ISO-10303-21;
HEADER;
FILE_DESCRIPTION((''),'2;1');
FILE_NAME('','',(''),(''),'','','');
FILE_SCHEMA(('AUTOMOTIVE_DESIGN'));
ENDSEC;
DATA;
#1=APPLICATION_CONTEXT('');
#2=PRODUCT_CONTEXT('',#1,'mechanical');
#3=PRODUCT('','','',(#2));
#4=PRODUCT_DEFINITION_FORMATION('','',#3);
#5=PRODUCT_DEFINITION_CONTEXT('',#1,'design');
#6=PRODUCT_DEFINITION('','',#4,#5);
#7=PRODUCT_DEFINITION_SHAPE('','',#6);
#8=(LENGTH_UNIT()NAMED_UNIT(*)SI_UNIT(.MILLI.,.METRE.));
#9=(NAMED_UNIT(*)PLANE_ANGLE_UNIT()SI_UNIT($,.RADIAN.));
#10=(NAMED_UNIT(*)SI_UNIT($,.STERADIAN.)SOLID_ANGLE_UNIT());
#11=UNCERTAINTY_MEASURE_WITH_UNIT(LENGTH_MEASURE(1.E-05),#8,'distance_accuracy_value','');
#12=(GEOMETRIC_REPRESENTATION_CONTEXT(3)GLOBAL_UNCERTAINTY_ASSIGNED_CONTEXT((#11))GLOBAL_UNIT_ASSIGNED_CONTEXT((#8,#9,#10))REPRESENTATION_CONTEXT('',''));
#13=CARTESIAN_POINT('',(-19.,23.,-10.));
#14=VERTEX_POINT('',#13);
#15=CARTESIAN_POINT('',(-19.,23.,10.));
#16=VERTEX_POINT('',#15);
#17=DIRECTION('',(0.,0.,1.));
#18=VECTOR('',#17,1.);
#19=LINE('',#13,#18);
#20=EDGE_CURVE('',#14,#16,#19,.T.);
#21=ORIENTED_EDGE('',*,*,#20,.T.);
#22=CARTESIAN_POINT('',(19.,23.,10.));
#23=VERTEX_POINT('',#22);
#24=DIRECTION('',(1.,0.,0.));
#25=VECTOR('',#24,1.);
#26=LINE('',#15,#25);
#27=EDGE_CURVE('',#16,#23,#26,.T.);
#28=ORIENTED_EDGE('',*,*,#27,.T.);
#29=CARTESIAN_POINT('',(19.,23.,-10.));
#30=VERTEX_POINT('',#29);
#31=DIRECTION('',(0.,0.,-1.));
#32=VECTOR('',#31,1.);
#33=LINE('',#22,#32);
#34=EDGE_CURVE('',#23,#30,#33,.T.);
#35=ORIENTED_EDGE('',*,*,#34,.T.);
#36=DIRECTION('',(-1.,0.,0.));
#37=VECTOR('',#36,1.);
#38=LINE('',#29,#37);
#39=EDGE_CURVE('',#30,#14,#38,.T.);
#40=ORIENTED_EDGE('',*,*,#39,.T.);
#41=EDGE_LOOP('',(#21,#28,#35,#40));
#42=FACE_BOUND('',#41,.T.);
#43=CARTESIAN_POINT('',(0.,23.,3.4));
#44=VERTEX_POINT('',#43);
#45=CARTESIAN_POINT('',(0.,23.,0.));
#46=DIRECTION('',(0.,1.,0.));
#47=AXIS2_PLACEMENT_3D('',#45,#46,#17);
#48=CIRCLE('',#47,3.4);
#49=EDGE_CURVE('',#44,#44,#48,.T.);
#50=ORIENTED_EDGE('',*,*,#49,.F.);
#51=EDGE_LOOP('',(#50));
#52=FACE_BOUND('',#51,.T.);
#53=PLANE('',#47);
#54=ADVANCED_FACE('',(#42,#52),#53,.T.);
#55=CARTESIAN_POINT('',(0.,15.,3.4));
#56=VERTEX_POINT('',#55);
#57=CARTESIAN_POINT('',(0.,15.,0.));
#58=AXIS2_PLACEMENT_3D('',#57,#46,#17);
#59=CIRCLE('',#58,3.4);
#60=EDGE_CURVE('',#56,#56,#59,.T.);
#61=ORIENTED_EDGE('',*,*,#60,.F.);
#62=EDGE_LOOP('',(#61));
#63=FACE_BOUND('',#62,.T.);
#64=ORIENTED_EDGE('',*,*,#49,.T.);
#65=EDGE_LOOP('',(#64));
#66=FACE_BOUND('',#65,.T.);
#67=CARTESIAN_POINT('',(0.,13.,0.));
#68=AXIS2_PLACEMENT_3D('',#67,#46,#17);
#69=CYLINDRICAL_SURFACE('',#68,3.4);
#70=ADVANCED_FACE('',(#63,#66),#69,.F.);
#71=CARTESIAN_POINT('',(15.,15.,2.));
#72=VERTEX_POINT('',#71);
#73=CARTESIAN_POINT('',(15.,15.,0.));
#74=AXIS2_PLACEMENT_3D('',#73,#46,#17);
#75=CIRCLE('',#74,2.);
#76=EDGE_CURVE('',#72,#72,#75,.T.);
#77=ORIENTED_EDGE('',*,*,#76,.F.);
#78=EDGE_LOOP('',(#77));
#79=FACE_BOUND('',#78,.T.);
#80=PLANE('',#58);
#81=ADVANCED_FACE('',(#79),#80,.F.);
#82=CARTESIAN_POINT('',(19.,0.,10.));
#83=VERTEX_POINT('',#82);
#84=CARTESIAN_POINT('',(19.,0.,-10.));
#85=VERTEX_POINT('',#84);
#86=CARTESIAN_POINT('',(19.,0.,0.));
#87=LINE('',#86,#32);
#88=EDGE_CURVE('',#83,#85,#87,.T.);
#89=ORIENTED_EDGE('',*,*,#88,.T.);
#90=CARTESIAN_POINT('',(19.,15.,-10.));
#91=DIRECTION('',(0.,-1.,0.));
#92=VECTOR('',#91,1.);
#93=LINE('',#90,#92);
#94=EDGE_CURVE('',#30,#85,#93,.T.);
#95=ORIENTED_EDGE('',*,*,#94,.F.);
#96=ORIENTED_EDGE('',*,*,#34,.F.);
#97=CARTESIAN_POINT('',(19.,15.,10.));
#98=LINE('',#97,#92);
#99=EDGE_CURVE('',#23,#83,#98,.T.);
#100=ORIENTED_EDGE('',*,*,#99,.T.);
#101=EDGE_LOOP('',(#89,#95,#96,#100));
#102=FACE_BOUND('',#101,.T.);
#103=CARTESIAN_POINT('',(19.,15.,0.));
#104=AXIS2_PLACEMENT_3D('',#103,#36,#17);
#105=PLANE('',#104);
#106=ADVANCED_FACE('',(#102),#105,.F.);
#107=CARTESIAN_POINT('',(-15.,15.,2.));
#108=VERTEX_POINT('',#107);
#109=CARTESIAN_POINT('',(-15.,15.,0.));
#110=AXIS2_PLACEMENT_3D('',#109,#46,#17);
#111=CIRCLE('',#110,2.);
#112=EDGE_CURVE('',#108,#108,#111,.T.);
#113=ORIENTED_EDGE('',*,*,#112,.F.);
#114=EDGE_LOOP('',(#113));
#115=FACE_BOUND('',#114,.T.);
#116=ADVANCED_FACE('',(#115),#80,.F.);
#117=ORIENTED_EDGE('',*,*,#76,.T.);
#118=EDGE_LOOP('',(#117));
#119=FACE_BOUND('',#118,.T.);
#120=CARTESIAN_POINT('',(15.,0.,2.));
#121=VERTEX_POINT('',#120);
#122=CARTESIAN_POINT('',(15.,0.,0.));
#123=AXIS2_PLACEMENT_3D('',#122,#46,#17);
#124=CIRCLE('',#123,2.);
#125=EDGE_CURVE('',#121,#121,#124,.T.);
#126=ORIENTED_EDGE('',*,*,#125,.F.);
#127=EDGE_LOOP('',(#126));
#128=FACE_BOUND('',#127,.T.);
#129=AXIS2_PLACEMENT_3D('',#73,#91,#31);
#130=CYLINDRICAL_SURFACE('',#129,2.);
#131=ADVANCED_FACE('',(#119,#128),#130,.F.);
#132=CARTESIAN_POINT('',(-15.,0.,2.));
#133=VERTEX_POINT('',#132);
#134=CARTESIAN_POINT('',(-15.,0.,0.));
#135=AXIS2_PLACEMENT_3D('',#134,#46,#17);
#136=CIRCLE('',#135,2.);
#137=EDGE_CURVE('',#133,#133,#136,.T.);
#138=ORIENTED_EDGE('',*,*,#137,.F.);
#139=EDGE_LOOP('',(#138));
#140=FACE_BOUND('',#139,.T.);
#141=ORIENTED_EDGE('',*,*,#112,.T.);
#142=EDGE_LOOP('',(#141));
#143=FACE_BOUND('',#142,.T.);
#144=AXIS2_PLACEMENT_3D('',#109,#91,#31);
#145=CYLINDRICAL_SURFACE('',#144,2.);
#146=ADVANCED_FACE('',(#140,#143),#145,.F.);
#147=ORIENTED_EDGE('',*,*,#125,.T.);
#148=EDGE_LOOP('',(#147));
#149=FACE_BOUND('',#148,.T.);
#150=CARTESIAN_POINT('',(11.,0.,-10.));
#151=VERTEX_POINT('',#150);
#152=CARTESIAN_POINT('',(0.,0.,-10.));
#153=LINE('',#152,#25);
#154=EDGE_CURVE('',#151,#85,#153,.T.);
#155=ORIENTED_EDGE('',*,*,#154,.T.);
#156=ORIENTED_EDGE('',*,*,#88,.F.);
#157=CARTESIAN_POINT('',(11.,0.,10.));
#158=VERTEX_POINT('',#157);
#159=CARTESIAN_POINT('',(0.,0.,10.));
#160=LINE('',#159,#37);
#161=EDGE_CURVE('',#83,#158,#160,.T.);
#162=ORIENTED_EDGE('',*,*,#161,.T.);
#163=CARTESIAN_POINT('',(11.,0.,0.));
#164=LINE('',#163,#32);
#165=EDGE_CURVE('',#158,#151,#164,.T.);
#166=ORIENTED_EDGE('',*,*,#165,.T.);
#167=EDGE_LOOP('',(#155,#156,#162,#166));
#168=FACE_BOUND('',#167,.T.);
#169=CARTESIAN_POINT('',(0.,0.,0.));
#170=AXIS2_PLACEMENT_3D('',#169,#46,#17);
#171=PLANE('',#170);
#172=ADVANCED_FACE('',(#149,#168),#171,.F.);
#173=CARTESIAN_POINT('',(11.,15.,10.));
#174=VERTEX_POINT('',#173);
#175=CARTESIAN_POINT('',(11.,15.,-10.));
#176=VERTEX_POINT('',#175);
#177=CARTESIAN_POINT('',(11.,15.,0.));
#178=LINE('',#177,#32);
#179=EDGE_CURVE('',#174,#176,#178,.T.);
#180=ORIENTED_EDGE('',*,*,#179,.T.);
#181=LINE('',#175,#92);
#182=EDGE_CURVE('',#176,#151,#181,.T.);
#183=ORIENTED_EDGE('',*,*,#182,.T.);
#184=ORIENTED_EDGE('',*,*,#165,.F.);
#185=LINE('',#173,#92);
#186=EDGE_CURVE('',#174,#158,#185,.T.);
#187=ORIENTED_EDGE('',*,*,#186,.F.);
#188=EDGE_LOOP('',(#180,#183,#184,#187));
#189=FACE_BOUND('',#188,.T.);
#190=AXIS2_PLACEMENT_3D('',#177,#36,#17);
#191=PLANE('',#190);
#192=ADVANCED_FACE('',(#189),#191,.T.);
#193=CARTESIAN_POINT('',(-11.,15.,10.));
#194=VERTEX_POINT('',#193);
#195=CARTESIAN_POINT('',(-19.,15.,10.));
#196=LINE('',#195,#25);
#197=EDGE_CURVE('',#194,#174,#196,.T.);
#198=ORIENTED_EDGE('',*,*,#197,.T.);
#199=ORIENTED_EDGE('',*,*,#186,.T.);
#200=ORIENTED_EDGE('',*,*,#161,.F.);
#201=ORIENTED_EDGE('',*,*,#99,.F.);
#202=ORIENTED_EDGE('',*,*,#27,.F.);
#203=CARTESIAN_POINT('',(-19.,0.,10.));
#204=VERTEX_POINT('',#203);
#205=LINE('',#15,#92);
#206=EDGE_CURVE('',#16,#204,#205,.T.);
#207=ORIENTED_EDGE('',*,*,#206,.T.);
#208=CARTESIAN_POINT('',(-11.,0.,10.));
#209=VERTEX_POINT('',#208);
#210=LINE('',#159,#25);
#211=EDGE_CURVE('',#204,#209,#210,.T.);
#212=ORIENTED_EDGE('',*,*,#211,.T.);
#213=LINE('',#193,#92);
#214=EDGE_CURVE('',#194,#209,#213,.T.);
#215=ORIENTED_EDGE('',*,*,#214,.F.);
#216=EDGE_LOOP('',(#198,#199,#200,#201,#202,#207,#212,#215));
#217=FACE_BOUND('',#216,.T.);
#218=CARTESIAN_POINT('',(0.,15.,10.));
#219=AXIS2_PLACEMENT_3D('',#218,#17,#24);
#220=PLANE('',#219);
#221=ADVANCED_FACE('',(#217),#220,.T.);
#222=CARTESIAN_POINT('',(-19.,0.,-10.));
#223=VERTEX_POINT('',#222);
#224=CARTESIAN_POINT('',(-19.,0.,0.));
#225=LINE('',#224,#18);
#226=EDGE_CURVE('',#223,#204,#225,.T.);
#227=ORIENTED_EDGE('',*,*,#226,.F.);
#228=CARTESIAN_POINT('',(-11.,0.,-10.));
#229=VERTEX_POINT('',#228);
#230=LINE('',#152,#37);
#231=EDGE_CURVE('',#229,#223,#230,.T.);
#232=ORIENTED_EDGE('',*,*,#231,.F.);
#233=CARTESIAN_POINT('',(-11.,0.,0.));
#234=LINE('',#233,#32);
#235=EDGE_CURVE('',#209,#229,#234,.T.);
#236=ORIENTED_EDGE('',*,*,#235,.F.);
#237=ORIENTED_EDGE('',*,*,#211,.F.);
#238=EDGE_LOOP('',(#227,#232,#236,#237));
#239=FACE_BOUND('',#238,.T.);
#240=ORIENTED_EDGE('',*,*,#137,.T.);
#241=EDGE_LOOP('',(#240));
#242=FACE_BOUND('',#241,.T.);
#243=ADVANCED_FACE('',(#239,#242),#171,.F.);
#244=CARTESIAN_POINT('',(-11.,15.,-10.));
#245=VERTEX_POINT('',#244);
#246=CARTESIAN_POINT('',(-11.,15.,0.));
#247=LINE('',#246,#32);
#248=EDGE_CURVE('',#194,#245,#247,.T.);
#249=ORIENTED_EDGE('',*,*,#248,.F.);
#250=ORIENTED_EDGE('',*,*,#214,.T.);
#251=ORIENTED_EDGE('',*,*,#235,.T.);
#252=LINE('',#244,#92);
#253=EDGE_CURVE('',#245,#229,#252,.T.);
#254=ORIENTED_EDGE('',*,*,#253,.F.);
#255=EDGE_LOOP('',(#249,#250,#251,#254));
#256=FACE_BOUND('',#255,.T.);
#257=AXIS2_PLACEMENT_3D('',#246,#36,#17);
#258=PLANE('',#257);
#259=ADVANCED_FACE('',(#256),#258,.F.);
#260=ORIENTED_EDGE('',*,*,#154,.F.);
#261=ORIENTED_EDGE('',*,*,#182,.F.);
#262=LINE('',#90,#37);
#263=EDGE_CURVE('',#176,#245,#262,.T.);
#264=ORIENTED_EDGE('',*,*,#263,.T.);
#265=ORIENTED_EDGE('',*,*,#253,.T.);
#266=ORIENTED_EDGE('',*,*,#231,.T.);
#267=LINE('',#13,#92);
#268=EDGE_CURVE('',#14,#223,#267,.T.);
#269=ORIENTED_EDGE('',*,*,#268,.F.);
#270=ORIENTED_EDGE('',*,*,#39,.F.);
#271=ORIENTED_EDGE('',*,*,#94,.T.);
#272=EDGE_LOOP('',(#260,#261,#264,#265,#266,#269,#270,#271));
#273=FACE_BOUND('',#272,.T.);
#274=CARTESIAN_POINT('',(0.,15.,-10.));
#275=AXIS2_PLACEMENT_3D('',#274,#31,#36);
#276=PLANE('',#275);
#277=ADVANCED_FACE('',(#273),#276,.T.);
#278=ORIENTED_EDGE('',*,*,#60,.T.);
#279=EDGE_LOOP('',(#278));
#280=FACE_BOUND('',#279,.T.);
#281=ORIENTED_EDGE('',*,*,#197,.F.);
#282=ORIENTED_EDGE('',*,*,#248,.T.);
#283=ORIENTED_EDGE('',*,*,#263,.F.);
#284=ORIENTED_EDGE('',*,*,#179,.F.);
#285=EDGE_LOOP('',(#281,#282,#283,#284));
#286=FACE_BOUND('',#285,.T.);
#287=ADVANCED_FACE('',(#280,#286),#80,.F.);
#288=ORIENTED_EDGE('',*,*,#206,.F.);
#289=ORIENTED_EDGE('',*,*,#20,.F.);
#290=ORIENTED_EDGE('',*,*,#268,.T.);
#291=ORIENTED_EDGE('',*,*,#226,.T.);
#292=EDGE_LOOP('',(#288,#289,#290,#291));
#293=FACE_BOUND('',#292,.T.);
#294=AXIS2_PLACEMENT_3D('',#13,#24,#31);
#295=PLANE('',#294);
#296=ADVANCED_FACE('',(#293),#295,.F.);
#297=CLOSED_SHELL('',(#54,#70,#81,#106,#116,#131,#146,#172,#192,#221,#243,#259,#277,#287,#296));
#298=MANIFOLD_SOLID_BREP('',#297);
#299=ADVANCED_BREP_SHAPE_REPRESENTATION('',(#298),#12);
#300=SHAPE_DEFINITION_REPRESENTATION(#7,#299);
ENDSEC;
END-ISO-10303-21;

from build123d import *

# Parameters (mm, degrees)
ESQUISSE1_W             = 8
ESQUISSE1_H             = 20
BOSS_EXTRU_1_DEPTH      = 15
BOSS_EXTRU_1_2_DEPTH    = 15
ESQUISSE3_W             = 38
ESQUISSE3_H             = 20
BOSS_EXTRU_2_DEPTH      = 8
ESQUISSE4_R             = 3.4
ENL_V_MAT_EXTRU_1_DEPTH = 10
ESQUISSE1_3_R           = 2
ENL_V_MAT_EXTRU_3_DEPTH = 15


with BuildPart() as part:
    # Esquisse1 → Boss.-Extru.1 (new body)
    with BuildSketch(Plane(origin=(0, 0, 0), x_dir=(1, 0, 0), z_dir=(0, 1, 0))):
        with Locations((-15, 0)):
            Rectangle(ESQUISSE1_W, ESQUISSE1_H)
    extrude(amount=BOSS_EXTRU_1_DEPTH)



with BuildPart() as body_2:
    # Esquisse1 → Boss.-Extru.1 2 (new body)
    with BuildSketch(Plane(origin=(0, 0, 0), x_dir=(1, 0, 0), z_dir=(0, 1, 0))):
        with Locations((15, 0)):
            Rectangle(ESQUISSE1_W, ESQUISSE1_H)
    extrude(amount=BOSS_EXTRU_1_2_DEPTH)


with BuildPart() as part_1:
    add(part.part)

    add(body_2.part)  # Boss.-Extru.2 merges body 2
    # Esquisse3 → Boss.-Extru.2 (add)
    with BuildSketch(Plane(origin=(0, 15, 0), x_dir=(1, 0, 0), z_dir=(0, 1, 0))):
        Rectangle(ESQUISSE3_W, ESQUISSE3_H)
    extrude(amount=BOSS_EXTRU_2_DEPTH)

    # Esquisse4 → Enlèv. mat.-Extru.1 (cut)
    with BuildSketch(Plane(origin=(0, 23, 0), x_dir=(1, 0, 0), z_dir=(0, 1, 0))):
        Circle(ESQUISSE4_R)
    extrude(amount=-ENL_V_MAT_EXTRU_1_DEPTH, mode=Mode.SUBTRACT)

    # Esquisse1<3> → Enlèv. mat.-Extru.3 (cut)
    with BuildSketch(Plane(origin=(0, 0, 0), x_dir=(1, 0, 0), z_dir=(0, 1, 0))):
        with Locations((-15, 0)):
            Circle(ESQUISSE1_3_R)
        with Locations((15, 0)):
            Circle(ESQUISSE1_3_R)
    extrude(amount=ENL_V_MAT_EXTRU_3_DEPTH, mode=Mode.SUBTRACT)


solid = part_1.part
